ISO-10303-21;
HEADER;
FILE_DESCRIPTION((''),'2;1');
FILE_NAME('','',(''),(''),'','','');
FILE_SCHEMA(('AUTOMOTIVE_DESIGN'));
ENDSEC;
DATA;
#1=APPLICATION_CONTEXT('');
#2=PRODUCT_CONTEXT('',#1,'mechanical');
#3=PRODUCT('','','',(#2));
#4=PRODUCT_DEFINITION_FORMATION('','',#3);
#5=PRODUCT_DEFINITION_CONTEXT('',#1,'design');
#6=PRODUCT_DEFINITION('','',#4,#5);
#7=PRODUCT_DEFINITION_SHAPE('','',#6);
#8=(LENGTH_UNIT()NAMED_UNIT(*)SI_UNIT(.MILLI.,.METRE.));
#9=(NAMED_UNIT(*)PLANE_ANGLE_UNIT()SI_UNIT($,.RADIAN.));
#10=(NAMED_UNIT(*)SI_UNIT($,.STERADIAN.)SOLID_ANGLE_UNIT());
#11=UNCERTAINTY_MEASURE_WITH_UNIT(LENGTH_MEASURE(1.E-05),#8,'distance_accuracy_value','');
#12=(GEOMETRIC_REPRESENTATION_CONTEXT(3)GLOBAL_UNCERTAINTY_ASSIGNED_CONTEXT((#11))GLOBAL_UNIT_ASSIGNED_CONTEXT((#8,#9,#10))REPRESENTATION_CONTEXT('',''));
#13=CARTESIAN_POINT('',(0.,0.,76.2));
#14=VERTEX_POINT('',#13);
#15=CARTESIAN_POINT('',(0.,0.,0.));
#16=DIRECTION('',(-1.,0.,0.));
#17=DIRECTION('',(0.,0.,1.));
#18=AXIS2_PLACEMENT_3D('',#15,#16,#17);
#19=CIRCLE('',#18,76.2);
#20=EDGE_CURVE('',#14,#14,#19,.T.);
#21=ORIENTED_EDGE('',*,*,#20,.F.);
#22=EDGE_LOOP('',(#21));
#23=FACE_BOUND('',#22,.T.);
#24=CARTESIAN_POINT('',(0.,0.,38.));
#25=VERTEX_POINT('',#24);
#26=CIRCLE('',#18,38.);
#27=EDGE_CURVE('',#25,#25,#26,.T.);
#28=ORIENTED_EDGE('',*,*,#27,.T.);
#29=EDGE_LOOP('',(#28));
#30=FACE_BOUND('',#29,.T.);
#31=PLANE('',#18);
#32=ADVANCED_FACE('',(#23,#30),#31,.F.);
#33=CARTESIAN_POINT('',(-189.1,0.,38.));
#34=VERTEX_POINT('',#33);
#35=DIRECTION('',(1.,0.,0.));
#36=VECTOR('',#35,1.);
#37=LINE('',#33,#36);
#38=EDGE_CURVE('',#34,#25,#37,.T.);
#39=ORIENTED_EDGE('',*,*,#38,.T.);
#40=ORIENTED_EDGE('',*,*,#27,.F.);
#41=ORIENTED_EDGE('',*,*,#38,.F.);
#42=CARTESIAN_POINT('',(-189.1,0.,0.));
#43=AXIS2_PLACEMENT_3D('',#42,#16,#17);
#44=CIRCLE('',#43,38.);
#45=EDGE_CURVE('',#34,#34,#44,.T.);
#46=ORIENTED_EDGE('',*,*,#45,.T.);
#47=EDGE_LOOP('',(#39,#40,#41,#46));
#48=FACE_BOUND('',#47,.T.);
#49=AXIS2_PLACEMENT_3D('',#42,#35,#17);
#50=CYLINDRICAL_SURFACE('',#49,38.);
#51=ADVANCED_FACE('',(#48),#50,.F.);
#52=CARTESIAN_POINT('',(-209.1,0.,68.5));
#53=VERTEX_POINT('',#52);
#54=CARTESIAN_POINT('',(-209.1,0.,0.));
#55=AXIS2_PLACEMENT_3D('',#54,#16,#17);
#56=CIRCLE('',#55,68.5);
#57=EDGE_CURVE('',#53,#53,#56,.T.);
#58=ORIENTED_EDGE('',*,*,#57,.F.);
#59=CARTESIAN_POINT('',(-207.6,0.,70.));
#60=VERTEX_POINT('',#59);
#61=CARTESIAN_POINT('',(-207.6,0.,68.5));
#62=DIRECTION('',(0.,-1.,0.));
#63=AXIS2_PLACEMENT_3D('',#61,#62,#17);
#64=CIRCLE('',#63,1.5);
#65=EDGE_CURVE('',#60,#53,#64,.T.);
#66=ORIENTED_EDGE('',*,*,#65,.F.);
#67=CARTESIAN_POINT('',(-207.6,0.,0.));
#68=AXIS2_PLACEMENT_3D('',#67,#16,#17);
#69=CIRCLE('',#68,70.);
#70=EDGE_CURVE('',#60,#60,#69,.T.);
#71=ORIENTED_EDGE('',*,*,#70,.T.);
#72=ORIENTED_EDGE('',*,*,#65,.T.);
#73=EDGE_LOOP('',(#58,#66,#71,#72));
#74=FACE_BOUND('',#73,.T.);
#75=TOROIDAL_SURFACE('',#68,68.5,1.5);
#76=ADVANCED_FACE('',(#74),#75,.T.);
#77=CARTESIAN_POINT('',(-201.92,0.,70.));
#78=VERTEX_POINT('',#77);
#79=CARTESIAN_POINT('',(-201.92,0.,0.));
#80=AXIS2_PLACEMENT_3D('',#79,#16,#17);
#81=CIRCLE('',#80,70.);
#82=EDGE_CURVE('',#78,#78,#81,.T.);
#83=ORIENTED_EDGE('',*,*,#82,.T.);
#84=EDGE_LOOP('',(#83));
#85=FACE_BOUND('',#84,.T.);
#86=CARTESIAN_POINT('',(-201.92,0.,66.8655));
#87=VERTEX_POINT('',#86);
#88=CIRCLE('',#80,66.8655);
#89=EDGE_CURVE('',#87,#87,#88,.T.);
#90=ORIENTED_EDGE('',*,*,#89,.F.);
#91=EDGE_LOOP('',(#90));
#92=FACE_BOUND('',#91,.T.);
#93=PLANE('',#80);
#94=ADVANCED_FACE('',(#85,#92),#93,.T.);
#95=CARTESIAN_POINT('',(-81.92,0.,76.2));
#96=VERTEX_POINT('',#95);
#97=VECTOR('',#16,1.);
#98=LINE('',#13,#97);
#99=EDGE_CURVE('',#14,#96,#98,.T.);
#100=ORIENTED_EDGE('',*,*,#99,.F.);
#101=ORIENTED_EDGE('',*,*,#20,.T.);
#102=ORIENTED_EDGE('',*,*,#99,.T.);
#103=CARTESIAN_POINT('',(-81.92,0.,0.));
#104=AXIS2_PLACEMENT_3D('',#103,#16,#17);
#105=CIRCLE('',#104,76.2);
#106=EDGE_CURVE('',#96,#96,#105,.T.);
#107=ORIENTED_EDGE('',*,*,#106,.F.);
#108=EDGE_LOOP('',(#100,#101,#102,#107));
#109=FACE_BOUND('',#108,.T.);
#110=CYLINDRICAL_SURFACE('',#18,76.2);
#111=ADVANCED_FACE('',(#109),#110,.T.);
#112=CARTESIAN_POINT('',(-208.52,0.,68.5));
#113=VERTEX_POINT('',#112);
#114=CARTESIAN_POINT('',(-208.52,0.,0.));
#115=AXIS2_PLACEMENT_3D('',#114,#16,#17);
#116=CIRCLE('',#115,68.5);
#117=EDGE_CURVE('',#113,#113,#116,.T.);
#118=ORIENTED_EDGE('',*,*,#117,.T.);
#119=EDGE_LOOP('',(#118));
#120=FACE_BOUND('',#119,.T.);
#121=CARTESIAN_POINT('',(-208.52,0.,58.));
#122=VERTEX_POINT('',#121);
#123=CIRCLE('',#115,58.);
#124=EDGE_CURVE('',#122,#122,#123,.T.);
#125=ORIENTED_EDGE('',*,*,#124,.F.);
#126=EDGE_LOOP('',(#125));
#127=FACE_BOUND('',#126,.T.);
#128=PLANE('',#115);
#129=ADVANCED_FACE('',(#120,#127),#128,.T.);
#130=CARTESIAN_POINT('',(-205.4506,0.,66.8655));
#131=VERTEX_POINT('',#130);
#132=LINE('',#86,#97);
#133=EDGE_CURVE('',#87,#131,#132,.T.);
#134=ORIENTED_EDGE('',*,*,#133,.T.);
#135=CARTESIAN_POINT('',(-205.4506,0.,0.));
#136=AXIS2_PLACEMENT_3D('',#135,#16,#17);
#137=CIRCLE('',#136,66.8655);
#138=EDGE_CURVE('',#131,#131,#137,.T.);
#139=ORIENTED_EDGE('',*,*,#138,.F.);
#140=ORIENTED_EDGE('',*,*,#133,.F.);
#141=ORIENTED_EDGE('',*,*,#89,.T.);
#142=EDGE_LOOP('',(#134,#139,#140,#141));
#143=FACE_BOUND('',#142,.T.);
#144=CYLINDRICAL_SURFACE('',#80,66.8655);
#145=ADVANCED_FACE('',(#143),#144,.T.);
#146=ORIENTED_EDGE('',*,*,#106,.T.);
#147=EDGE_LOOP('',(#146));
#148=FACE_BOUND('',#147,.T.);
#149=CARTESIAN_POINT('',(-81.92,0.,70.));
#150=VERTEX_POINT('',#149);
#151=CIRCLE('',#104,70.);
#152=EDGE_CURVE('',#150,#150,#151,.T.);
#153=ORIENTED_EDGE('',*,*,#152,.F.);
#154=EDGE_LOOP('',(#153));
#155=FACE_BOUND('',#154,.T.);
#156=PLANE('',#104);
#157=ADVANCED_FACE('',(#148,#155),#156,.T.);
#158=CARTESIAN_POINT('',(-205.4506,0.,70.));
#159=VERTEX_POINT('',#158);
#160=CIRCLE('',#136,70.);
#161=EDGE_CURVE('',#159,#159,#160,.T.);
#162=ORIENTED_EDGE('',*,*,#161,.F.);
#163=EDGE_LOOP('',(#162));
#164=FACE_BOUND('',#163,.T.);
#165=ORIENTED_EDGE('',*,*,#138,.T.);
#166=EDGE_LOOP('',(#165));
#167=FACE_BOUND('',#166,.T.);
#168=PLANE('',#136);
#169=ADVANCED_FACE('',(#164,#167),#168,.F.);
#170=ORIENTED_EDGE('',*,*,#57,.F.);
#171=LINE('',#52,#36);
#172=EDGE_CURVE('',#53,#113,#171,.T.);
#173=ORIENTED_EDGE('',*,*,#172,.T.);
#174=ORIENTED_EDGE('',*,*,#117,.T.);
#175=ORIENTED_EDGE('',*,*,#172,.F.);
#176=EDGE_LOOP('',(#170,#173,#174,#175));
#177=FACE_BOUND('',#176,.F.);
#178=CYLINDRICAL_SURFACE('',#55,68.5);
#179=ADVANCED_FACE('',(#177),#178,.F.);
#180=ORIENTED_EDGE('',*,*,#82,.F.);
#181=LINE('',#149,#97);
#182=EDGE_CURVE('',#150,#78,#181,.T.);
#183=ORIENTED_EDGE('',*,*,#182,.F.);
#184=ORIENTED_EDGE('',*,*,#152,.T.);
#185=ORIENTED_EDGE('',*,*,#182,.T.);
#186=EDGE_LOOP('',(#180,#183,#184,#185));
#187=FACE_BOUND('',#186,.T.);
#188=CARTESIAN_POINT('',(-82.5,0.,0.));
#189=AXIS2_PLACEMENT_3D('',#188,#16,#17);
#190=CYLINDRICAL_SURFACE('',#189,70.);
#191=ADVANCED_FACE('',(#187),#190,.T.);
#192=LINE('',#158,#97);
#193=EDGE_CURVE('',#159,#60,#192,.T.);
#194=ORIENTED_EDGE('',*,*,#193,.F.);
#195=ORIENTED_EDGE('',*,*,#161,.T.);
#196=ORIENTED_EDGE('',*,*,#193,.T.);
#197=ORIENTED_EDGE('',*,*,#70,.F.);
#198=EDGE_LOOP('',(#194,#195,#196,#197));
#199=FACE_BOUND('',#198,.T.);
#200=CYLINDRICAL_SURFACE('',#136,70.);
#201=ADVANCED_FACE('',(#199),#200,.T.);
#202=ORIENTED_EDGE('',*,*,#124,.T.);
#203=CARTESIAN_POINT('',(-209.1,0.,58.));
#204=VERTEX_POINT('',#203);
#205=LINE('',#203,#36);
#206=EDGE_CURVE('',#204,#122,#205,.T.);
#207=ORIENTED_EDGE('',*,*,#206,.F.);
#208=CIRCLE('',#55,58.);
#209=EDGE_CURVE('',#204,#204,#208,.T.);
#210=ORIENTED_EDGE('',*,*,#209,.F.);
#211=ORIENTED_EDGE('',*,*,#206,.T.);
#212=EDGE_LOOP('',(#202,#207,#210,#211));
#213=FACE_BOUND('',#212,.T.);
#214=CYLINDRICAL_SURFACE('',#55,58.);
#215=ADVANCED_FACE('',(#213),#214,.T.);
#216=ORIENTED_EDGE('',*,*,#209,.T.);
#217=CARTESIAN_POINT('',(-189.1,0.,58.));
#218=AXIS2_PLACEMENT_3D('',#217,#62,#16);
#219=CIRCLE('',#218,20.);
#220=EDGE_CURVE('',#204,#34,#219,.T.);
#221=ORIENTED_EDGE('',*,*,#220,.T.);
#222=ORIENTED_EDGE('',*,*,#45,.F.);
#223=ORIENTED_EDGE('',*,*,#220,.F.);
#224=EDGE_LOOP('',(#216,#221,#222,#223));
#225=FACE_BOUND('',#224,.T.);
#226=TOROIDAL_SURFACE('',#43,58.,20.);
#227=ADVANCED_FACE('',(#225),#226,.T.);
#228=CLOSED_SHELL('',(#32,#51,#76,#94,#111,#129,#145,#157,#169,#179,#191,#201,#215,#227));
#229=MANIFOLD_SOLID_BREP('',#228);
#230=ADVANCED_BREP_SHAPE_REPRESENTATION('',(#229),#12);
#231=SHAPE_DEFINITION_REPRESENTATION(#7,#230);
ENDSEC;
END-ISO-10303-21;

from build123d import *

# Parameters (mm, degrees)
F2_DEPTH = 0.58


with BuildPart() as f1:
    # F0 (on Front) → F1 (revolve)
    with BuildSketch(Plane.XZ):
        with BuildLine():
            Line((-189.1, 38), (0, 38))
            Line((0, 38), (0, 76.2))
            Line((0, 76.2), (-82.5, 76.2))
            Line((-82.5, 76.2), (-82.5, 70))
            Line((-82.5, 70), (-201.92, 70))
            Line((-201.92, 70), (-201.92, 66.8655))
            Line((-201.92, 66.8655), (-205.4506, 66.8655))
            Line((-205.4506, 66.8655), (-205.4506, 70))
            Line((-205.4506, 70), (-207.6, 70))
            ThreePointArc((-207.6, 70), (-208.6606601718, 69.5606601718), (-209.1, 68.5))
            Line((-209.1, 68.5), (-209.1, 58))
            ThreePointArc((-209.1, 58), (-203.2421356237, 43.8578643763), (-189.1, 38))
        make_face()
    revolve(axis=Axis((-178.9006441832, 0, 0), (-1, 0, 0)))

    # F2 (cut): faces of the model
    f2_faces = [f1.faces().sort_by_distance(p)[0] for p in [
        (-209.1, 0, -66.5625274195),
        (-82.5, 0, -74.0447385309),
    ]]
    extrude(f2_faces, amount=-F2_DEPTH, mode=Mode.SUBTRACT)


solid = f1.part
